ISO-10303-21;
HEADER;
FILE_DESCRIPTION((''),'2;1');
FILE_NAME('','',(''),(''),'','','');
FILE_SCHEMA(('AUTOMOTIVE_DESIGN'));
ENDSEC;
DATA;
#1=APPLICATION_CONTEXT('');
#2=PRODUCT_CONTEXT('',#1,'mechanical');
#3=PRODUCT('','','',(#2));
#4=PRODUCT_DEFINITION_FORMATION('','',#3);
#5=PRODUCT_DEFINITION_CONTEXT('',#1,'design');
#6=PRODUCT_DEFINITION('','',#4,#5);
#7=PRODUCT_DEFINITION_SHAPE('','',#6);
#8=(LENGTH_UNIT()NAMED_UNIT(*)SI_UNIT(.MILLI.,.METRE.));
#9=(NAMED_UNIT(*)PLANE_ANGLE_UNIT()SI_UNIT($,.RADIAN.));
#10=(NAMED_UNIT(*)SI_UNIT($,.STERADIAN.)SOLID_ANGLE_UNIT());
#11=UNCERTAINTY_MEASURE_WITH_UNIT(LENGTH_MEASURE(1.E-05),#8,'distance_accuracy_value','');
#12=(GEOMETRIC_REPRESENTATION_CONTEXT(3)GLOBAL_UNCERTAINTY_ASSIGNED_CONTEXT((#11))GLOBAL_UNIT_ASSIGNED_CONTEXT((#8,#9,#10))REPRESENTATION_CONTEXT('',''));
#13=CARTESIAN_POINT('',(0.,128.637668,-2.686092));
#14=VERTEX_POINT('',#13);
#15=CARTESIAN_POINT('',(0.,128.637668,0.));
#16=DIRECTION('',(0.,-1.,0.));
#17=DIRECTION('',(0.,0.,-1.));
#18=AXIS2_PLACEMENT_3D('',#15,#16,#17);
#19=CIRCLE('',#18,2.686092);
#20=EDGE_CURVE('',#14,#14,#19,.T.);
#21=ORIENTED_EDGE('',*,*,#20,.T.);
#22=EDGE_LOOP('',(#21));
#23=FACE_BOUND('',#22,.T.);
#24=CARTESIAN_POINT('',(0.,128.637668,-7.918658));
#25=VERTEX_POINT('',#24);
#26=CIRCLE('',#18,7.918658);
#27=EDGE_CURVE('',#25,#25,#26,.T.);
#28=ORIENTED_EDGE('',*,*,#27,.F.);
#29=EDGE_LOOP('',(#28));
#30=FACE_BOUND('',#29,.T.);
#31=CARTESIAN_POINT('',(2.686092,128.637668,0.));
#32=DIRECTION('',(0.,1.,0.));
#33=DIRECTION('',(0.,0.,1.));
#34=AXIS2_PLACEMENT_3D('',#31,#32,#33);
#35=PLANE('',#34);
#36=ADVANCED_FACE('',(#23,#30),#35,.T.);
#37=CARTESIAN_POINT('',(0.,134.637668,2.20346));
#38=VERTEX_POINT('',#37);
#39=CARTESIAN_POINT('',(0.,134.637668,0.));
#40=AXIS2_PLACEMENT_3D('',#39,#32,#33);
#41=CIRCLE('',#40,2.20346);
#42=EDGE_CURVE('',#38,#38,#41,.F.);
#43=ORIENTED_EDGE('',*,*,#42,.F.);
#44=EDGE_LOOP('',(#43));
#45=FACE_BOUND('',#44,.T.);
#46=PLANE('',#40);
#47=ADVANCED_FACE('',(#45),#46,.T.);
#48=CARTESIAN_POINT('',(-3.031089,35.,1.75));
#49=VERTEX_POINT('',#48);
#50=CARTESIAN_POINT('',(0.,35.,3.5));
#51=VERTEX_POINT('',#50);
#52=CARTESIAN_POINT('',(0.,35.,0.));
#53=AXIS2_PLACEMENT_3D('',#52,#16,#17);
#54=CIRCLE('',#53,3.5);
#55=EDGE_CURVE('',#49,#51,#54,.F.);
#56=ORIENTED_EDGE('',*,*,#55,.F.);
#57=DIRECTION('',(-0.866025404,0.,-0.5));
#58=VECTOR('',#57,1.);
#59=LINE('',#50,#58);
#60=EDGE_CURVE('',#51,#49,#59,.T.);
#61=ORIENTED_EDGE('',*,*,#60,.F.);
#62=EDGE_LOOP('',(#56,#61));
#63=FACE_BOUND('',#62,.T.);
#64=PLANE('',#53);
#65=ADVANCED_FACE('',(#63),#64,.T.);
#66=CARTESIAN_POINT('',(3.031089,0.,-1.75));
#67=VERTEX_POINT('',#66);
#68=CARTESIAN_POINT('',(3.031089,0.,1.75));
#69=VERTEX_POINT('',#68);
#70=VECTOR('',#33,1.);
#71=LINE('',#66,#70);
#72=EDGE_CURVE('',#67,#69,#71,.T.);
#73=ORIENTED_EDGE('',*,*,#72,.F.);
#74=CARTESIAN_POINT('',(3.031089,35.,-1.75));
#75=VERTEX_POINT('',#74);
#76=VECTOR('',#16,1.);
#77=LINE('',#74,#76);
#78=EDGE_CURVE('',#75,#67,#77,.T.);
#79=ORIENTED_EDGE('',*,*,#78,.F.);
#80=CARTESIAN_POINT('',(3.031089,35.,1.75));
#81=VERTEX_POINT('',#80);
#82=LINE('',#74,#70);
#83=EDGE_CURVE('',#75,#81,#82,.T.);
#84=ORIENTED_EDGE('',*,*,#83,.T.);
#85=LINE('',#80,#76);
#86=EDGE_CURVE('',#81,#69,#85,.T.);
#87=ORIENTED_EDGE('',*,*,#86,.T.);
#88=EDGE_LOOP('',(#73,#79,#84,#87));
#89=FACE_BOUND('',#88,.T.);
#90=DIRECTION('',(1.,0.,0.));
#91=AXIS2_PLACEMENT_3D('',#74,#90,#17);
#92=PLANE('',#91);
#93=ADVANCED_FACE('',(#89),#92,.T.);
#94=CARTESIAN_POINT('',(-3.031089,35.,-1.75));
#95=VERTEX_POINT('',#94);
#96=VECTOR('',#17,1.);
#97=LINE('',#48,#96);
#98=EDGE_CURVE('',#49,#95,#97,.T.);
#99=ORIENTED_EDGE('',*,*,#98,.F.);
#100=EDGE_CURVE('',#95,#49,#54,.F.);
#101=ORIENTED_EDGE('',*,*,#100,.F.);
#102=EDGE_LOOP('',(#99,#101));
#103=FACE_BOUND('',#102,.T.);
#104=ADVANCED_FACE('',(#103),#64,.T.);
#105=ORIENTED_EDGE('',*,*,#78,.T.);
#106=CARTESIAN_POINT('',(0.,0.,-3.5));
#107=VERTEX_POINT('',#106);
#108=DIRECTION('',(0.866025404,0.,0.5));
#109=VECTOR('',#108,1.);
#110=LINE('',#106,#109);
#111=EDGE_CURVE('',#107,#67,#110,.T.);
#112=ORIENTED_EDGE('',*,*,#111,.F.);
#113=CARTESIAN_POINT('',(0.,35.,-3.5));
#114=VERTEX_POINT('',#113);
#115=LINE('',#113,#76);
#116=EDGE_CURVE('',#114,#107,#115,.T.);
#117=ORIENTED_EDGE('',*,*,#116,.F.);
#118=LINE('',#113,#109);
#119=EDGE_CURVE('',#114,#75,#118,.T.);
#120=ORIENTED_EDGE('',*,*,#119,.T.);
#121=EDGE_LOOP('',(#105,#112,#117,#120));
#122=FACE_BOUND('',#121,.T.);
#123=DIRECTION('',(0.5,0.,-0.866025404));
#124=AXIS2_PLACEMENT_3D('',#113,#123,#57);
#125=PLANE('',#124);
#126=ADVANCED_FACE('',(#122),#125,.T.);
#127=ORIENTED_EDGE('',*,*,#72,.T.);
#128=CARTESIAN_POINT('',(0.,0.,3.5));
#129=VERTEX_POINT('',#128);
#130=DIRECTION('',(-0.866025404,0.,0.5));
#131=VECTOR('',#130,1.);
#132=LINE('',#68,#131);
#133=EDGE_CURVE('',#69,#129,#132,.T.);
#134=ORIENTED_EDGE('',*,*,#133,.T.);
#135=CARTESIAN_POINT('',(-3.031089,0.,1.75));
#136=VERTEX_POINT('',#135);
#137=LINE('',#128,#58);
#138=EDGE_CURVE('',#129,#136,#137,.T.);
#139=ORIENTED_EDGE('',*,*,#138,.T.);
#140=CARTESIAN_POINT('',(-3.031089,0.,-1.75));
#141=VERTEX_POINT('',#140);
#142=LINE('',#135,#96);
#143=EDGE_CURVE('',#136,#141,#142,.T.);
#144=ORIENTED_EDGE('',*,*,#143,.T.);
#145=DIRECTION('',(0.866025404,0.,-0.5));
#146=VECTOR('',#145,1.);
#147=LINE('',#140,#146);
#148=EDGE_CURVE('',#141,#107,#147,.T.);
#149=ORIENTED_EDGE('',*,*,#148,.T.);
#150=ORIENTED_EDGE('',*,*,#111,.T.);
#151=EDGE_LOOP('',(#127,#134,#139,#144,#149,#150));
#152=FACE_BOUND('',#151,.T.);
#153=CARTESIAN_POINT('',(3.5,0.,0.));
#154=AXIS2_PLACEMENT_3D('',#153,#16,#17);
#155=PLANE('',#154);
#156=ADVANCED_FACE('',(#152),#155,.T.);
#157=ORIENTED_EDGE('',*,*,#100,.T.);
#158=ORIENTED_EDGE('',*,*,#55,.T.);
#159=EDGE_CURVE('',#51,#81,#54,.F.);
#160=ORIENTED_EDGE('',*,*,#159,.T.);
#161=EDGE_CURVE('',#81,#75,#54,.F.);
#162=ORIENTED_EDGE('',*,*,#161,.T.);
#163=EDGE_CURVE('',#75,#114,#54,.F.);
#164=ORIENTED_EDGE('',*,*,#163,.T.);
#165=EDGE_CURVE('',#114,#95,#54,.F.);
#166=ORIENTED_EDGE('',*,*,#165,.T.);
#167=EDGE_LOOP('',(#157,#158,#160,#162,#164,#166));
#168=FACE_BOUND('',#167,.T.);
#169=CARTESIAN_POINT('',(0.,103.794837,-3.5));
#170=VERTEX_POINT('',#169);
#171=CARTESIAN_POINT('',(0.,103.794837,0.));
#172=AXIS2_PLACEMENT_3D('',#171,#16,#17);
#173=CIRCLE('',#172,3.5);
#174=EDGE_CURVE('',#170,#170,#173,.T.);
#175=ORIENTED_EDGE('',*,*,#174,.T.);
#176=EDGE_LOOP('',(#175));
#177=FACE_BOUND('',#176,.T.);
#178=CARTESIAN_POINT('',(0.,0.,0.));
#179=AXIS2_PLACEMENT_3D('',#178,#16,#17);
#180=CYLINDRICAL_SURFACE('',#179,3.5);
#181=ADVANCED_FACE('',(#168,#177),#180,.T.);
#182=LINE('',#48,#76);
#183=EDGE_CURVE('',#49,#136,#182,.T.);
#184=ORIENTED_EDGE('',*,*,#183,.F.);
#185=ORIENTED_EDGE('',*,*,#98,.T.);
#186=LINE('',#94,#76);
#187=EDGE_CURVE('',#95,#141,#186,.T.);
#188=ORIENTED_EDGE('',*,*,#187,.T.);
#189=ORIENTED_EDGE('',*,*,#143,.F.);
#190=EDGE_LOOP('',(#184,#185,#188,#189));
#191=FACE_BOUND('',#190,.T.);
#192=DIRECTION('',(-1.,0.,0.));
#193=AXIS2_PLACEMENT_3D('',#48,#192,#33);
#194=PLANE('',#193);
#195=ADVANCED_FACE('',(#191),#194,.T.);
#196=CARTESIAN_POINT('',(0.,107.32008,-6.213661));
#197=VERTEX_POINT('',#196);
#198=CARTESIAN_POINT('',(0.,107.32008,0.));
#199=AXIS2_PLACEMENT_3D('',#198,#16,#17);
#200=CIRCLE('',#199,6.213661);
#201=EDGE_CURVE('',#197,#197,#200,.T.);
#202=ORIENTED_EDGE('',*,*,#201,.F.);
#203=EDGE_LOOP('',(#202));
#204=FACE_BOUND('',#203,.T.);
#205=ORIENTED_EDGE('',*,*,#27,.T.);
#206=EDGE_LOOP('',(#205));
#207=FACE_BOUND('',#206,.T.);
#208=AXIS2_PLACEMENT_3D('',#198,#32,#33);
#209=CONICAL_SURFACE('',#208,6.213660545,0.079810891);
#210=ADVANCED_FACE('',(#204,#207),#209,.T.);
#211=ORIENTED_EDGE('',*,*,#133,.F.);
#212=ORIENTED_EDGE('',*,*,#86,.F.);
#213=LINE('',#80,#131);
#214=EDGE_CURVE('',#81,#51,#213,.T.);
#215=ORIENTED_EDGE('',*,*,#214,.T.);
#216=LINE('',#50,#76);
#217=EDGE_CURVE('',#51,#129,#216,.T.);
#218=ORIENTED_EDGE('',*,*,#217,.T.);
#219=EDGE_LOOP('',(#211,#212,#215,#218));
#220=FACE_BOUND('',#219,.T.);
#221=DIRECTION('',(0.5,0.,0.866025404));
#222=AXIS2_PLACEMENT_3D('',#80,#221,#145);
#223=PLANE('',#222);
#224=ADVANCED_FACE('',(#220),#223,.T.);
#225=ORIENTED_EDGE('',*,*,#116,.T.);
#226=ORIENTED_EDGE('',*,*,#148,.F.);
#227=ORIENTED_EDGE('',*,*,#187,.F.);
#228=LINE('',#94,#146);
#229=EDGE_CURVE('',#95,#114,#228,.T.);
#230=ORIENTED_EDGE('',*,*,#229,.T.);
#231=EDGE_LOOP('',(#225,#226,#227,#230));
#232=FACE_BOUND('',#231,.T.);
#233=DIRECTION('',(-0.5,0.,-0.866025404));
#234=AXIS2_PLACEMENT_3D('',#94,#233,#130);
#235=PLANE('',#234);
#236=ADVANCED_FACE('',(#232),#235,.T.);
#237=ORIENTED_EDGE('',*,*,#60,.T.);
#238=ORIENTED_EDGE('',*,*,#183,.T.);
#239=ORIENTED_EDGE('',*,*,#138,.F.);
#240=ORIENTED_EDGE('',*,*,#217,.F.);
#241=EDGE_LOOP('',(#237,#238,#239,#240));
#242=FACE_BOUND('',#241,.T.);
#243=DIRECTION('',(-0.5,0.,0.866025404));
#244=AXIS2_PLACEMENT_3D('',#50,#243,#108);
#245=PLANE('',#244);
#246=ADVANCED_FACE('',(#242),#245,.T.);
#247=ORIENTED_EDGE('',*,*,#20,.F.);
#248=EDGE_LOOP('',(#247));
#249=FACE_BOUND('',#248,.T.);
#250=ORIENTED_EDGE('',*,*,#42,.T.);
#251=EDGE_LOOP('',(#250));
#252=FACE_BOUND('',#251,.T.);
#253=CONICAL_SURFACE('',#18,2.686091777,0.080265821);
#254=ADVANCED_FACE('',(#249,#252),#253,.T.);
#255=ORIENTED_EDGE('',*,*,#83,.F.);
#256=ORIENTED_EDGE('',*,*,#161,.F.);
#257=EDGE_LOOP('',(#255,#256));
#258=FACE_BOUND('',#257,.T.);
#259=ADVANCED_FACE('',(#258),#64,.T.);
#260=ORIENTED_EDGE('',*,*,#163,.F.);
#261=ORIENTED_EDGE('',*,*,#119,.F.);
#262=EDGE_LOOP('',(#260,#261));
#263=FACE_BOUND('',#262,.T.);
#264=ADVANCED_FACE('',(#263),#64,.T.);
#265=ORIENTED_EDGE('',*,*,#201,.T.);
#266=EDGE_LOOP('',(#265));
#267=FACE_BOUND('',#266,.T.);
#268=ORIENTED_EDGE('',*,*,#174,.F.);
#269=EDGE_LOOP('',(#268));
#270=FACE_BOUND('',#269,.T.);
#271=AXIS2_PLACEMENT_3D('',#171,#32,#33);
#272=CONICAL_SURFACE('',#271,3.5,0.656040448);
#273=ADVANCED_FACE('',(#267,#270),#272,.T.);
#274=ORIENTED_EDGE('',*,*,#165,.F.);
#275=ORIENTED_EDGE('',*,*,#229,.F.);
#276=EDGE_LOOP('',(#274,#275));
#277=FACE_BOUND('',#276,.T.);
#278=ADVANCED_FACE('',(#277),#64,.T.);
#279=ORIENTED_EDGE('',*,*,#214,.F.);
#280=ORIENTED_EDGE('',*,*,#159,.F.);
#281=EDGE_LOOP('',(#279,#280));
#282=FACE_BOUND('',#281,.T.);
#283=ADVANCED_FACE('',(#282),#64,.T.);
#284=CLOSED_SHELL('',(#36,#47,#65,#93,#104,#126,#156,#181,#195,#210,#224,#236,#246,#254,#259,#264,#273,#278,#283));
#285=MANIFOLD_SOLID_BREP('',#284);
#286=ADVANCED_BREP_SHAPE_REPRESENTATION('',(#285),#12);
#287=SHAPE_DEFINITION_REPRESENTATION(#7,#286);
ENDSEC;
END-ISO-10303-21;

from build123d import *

# Parameters (mm, degrees)
SKETCH2_R          = 4.388085687
CUT_EXTRUDE1_DEPTH = 35
SKETCH4_R          = 12.137505268
CUT_EXTRUDE2_DEPTH = 19.362331983


with BuildPart() as part:
    # Sketch1 → Revolve1 (revolve)
    with BuildSketch(Plane.XY):
        Polygon((0, 0), (0, 153), (0.726418921, 153), (2.686091777, 128.637668017), (7.918657935, 128.637668017), (6.213660545, 107.320079818), (3.5, 103.794837091), (3.5, 55), (3.5, 53), (3.5, 0), align=None)
    revolve(axis=Axis((0, 0, 0), (0, 1, 0)))

    # Sketch2 → Cut-Extrude1 (cut)
    with BuildSketch(Plane.XZ):
        Circle(SKETCH2_R)
        Polygon((0, 3.5), (-3.031088913, 1.75), (-3.031088913, -1.75), (0, -3.5), (3.031088913, -1.75), (3.031088913, 1.75), align=None, mode=Mode.SUBTRACT)
    extrude(amount=-CUT_EXTRUDE1_DEPTH, mode=Mode.SUBTRACT)

    # Sketch4 → Cut-Extrude2 (cut, through all)
    with BuildSketch(Plane(origin=(0, 134.637668017, 0), x_dir=(1, 0, 0), z_dir=(0, 1, 0))):
        Circle(SKETCH4_R)
    extrude(amount=CUT_EXTRUDE2_DEPTH, mode=Mode.SUBTRACT)


solid = part.part
